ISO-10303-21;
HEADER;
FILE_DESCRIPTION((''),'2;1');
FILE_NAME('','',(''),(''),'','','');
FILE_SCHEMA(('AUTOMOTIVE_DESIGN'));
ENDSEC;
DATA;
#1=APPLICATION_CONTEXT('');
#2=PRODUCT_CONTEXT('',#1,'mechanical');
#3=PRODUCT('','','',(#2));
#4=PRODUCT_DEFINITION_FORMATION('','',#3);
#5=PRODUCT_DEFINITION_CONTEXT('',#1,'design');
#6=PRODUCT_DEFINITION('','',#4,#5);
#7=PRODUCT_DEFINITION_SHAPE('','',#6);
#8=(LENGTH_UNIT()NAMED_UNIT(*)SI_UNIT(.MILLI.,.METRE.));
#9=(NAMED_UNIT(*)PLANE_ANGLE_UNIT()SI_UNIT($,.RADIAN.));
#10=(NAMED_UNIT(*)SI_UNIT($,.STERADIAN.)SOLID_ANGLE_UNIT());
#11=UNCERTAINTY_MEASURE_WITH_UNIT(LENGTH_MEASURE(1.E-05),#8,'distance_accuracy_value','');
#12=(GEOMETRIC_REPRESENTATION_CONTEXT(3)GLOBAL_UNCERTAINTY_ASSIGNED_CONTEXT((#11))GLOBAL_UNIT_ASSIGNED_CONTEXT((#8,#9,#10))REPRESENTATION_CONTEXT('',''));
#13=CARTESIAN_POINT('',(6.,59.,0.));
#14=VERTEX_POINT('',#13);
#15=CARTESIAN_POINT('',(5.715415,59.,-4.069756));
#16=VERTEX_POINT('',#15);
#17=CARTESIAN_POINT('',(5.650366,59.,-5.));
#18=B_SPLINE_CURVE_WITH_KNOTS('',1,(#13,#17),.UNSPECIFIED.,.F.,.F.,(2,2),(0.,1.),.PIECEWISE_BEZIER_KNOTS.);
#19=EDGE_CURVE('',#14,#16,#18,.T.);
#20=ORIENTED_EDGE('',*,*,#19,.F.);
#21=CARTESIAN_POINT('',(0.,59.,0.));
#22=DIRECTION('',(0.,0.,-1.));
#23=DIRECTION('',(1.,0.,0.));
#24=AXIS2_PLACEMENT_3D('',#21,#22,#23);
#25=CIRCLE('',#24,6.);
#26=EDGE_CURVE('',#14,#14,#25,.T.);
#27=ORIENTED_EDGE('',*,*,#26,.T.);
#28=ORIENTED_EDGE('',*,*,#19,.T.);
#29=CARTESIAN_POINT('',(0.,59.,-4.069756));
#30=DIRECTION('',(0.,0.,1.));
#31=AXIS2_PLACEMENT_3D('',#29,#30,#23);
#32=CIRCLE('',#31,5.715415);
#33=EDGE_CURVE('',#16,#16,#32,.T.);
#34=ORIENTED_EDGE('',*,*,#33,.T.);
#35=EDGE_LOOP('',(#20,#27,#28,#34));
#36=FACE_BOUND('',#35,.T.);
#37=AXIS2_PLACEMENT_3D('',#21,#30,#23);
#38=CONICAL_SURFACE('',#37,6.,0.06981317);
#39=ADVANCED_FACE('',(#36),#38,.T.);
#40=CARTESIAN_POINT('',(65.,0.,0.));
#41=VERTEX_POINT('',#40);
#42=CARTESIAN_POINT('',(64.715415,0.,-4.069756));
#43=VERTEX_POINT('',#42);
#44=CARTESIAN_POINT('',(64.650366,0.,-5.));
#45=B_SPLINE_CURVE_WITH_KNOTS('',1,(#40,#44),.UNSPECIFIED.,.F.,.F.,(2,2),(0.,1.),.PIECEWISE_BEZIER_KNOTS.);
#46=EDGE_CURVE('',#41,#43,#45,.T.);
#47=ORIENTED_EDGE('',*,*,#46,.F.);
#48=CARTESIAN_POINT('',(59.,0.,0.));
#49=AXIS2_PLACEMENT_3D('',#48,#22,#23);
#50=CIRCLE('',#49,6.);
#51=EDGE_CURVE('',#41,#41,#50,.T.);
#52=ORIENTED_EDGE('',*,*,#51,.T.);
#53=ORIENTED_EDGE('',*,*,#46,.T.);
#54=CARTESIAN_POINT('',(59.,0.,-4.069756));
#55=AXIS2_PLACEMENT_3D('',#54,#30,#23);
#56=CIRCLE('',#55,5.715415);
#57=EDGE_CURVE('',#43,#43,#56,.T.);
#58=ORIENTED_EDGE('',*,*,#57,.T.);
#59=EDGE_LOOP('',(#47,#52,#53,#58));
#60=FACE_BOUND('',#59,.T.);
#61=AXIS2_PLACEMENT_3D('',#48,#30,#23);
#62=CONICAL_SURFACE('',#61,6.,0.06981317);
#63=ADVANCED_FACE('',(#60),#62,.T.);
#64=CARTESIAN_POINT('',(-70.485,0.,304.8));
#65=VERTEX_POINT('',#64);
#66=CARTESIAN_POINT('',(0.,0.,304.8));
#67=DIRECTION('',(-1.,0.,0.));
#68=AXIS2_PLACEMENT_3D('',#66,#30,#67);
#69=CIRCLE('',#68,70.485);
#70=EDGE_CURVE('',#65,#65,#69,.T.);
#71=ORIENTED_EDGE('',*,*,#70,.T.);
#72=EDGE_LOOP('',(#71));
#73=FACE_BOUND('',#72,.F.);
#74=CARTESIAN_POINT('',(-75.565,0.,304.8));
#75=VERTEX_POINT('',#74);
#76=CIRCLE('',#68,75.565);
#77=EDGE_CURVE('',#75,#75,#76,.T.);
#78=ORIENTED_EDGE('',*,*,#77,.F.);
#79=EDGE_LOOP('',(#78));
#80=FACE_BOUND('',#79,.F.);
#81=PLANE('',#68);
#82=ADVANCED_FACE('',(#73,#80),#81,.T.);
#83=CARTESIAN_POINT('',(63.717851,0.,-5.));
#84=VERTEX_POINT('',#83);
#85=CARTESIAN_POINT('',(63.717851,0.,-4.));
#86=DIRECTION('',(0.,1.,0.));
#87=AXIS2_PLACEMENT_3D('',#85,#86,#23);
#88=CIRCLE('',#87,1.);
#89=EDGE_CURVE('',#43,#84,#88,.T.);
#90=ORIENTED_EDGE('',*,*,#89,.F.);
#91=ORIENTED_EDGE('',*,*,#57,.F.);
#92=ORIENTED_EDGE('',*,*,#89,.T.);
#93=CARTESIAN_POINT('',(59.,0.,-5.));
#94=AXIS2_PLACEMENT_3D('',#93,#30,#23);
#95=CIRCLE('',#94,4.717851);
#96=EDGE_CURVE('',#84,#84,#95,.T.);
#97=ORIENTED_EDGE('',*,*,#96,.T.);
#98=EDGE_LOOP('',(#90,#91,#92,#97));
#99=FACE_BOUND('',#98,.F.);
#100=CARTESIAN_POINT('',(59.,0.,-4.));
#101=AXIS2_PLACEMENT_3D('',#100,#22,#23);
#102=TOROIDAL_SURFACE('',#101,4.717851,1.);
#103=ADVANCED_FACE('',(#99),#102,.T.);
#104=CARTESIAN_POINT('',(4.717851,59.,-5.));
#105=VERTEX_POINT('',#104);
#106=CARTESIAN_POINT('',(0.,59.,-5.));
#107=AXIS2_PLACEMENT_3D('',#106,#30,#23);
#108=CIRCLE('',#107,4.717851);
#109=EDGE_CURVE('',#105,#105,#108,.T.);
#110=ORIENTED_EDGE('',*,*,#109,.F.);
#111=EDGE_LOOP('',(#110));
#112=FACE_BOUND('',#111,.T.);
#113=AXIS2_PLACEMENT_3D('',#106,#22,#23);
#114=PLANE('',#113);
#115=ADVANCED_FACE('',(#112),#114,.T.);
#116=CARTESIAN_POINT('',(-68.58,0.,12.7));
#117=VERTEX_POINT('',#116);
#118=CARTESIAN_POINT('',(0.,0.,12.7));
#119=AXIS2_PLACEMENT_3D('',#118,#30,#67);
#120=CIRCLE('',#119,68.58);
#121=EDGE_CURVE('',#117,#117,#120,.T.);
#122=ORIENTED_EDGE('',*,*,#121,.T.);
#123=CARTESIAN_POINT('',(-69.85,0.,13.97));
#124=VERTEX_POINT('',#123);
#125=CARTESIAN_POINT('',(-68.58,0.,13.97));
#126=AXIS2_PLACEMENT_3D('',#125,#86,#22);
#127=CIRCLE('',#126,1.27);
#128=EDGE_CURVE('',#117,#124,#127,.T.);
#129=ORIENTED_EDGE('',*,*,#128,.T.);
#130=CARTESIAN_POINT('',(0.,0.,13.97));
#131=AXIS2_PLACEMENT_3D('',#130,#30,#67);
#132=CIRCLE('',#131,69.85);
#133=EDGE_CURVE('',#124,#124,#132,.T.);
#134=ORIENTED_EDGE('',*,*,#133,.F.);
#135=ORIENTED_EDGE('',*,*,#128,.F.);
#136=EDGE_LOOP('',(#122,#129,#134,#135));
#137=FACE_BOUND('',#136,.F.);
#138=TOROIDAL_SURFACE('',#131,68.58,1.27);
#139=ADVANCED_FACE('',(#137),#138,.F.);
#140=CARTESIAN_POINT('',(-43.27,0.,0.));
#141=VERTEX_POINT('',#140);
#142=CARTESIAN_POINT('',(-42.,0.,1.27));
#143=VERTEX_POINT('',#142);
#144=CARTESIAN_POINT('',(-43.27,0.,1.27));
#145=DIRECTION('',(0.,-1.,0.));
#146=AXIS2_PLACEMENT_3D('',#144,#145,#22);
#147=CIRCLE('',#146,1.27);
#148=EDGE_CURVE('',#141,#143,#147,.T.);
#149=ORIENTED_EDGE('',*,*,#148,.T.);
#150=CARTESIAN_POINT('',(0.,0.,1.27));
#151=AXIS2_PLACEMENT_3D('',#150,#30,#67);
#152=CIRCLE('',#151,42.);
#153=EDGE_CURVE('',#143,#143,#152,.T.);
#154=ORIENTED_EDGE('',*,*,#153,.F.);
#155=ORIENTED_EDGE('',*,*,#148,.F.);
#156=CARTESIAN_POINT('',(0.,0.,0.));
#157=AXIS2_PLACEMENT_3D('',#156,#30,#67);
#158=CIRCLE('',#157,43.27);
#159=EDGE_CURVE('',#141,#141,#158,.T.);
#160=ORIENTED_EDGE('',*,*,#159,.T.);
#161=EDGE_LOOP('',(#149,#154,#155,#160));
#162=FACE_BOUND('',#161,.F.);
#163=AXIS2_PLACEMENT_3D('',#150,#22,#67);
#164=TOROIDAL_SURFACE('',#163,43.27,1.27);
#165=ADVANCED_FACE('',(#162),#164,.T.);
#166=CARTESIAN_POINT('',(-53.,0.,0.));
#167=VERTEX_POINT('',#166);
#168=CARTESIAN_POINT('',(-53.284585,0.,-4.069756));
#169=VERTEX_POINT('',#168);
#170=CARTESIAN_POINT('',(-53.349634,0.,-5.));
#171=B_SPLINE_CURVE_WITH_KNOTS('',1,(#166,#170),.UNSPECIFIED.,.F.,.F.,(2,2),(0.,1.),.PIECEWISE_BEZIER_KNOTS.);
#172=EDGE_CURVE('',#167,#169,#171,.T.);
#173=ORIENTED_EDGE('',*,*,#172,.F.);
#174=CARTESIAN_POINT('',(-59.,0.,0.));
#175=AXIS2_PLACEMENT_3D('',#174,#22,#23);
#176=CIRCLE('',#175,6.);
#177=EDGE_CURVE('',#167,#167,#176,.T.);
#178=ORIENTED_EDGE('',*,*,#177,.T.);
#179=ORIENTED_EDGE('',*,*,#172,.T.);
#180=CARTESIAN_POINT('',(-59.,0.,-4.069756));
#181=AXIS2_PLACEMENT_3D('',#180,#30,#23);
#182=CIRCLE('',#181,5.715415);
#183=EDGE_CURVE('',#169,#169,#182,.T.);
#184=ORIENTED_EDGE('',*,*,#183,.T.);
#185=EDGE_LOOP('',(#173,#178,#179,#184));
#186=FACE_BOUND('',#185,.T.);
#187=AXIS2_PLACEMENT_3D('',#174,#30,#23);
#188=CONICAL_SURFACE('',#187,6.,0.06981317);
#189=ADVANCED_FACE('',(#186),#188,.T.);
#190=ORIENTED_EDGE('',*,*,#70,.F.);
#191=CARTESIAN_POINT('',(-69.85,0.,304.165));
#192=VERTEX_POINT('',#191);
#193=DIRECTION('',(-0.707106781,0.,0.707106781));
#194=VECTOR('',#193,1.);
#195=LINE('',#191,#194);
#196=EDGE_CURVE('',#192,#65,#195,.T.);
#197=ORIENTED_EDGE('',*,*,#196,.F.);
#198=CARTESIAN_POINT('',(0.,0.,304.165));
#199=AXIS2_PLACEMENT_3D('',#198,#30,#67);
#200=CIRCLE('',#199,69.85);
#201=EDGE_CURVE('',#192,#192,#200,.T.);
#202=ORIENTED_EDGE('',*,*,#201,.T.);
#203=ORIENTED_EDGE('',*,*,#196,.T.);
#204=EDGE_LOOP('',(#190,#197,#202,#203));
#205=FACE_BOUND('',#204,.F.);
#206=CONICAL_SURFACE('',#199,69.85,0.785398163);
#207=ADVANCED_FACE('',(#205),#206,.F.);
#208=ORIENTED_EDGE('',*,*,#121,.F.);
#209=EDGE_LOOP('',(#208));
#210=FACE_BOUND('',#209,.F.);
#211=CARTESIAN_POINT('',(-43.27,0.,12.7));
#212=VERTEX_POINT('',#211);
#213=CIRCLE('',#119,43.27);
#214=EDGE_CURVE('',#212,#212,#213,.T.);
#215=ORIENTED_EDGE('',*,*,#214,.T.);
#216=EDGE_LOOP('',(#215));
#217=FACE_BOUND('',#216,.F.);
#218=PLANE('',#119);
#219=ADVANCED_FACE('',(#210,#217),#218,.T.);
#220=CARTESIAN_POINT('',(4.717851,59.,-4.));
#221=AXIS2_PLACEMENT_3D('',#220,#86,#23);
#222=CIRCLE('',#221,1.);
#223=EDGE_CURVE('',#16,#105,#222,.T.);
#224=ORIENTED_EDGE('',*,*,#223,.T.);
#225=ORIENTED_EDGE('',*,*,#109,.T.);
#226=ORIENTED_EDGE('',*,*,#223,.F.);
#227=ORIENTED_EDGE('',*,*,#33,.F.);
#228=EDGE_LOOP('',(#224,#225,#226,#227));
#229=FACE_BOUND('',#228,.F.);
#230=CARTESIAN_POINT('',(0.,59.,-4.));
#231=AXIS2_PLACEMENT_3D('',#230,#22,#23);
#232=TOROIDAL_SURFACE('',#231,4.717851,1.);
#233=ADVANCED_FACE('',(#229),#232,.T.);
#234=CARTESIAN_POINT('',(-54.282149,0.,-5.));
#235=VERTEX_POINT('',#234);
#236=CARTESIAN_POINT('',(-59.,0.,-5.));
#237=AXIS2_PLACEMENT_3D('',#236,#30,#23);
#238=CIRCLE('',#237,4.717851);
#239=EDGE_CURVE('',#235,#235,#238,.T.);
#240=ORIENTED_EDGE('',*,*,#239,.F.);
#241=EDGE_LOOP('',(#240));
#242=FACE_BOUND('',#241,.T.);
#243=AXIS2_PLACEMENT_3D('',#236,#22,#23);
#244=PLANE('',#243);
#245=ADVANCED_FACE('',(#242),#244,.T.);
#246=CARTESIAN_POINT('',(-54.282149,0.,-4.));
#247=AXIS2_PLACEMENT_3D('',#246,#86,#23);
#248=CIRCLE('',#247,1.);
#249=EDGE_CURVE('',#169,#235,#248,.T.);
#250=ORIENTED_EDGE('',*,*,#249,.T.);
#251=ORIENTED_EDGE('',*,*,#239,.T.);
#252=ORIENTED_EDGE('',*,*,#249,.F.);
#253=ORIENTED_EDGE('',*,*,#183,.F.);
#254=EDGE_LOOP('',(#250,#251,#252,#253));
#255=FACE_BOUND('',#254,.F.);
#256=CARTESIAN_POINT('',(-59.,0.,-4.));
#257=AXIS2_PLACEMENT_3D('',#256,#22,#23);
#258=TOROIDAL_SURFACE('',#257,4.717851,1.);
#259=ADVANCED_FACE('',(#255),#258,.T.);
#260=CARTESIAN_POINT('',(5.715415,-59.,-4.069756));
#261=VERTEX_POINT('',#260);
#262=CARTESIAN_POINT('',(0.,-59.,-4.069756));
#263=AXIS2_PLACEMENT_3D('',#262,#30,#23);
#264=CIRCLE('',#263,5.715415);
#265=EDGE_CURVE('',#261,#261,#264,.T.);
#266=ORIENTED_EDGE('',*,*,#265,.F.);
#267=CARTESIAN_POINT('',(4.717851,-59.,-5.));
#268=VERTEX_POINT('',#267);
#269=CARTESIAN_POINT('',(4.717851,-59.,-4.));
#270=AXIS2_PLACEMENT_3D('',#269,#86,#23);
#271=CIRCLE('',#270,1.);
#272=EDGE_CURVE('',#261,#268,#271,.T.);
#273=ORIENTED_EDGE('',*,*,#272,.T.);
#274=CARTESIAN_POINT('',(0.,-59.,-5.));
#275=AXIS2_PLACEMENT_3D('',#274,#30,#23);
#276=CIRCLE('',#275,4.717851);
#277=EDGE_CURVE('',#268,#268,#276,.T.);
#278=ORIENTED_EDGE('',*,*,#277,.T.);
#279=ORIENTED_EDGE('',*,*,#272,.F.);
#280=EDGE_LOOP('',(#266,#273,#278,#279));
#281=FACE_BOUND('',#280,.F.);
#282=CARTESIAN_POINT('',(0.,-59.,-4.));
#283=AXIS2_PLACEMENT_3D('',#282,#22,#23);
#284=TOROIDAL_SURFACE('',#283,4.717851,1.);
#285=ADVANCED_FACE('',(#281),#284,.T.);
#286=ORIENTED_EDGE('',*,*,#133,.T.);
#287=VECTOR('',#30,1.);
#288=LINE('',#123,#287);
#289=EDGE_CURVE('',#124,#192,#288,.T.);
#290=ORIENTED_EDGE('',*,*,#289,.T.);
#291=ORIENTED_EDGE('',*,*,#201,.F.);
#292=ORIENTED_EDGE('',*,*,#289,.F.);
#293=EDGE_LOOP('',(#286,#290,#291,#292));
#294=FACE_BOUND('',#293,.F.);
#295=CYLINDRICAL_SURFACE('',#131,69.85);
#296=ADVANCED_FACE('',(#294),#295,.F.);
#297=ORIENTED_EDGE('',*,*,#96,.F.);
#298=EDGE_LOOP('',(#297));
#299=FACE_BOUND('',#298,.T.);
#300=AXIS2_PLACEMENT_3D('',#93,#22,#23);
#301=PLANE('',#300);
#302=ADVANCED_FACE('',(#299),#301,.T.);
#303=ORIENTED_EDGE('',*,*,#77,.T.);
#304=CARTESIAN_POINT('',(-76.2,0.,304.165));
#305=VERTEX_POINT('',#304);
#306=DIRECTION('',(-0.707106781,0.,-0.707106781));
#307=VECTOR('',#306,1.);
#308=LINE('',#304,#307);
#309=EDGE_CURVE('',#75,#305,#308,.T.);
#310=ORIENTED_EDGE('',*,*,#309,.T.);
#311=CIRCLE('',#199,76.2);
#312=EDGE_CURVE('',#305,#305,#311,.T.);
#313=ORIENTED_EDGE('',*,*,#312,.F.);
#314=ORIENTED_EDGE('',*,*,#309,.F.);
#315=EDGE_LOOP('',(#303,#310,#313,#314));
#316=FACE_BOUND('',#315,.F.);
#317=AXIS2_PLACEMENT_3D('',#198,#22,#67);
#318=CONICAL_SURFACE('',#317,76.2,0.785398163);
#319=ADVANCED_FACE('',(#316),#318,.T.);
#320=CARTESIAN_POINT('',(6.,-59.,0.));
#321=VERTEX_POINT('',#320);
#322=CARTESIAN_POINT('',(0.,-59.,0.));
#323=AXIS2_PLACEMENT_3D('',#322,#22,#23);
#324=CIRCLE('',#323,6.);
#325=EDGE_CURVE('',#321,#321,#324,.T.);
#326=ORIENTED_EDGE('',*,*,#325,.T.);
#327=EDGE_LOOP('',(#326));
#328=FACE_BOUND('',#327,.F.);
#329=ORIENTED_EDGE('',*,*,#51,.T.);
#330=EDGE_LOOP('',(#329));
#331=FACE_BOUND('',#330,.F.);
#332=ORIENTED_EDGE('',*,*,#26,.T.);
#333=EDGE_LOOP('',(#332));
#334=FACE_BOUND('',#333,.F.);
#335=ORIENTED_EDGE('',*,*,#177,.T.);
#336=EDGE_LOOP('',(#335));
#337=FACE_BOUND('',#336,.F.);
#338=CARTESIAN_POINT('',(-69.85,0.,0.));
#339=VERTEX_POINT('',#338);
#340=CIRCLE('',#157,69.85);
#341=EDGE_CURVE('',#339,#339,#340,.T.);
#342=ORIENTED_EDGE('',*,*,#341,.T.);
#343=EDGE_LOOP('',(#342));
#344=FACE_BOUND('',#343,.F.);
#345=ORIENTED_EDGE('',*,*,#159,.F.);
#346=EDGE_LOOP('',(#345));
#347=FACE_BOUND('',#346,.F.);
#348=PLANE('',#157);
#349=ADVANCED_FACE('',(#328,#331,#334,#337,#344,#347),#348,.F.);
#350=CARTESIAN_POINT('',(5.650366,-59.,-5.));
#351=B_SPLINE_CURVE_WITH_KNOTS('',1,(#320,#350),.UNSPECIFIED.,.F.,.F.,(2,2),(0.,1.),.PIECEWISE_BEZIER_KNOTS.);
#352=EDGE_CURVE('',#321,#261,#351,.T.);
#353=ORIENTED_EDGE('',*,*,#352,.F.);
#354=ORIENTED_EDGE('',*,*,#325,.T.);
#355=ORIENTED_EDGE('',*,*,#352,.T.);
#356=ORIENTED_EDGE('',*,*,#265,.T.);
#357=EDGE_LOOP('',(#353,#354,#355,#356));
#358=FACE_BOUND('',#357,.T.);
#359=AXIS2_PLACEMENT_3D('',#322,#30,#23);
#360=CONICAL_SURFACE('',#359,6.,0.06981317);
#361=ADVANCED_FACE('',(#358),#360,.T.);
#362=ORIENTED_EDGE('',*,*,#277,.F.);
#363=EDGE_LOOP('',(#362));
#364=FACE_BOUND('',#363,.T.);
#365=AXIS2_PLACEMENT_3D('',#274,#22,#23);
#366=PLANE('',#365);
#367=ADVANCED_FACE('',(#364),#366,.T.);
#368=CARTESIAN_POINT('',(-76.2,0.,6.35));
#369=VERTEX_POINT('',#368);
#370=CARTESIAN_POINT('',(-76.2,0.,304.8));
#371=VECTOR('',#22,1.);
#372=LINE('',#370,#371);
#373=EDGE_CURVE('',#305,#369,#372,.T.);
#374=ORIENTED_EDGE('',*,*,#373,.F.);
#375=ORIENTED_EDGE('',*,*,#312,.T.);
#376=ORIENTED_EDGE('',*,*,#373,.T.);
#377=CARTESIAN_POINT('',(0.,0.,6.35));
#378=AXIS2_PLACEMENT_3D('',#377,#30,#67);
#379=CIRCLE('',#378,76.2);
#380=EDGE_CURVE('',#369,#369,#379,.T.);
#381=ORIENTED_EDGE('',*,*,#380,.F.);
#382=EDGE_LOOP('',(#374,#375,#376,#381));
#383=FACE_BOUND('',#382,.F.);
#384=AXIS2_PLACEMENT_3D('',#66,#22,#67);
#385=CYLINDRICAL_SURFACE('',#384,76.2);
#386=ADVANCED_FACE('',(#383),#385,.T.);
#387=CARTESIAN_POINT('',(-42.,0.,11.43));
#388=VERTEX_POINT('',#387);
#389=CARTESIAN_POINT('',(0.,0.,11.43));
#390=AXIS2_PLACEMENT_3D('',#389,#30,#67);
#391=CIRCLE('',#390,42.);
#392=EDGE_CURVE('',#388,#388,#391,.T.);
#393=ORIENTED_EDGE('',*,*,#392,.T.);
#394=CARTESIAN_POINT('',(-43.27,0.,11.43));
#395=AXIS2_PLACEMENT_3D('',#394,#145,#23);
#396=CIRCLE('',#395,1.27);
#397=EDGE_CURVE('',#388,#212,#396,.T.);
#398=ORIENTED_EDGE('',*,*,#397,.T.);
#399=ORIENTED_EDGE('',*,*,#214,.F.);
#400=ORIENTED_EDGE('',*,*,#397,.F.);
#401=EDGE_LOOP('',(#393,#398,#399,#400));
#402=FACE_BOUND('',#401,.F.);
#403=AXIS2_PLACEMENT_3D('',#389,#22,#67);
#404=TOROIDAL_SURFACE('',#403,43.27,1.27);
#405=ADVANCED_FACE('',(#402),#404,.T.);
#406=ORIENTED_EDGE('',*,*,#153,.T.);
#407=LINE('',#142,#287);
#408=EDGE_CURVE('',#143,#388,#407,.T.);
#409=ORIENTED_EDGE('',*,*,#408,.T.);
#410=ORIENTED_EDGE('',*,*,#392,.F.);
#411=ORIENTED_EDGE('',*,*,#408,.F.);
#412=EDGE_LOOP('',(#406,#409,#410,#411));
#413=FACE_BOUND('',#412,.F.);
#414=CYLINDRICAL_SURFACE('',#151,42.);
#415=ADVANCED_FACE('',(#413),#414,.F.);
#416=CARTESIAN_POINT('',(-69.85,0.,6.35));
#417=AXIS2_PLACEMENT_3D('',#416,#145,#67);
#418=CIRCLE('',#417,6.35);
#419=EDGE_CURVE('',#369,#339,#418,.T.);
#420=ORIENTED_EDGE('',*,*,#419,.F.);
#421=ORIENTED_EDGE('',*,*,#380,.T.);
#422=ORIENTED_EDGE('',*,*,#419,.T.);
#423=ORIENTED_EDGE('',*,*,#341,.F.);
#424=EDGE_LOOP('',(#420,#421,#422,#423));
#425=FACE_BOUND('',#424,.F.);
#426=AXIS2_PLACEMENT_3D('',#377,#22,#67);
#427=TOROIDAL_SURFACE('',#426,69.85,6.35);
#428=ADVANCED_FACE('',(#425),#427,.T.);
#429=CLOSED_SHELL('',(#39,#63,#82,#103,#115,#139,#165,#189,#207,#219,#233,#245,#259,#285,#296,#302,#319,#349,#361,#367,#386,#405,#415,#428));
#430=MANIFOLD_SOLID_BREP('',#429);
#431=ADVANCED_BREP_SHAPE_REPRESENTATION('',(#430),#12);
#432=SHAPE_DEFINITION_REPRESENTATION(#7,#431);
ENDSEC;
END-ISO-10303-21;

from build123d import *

# Parameters (mm, degrees)
F3_SIZE  = 0.635
F4_R     = 6
F5_DEPTH = 5
F5_TAPER = 4
F6_R     = 1


with BuildPart() as f2:
    # F0 (on Front) → F2 (revolve)
    with BuildSketch(Plane.XZ):
        with BuildLine():
            Line((-69.85, 0), (-43.27, 0))
            ThreePointArc((-43.27, 0), (-42.3719743879, 0.3719743879), (-42, 1.27))
            Line((-42, 1.27), (-42, 11.43))
            ThreePointArc((-42, 11.43), (-42.3719743879, 12.3280256121), (-43.27, 12.7))
            Line((-43.27, 12.7), (-68.58, 12.7))
            ThreePointArc((-68.58, 12.7), (-69.4780256121, 13.0719743879), (-69.85, 13.97))
            Line((-69.85, 13.97), (-69.85, 304.8))
            Line((-69.85, 304.8), (-76.2, 304.8))
            Line((-76.2, 304.8), (-76.2, 6.35))
            ThreePointArc((-76.2, 6.35), (-74.3401280605, 1.8598719395), (-69.85, 0))
        make_face()
    revolve(axis=Axis((0, 0, 44.2740730941), (0, 0, 1)))

    # F3
    f3_edges = [f2.edges().sort_by_distance(p)[0] for p in [
        (69.85, 0, 304.8),
        (76.2, 0, 304.8),
    ]]
    chamfer(f3_edges, length=F3_SIZE)

    # F4 (on face) → F5 (join)
    with BuildSketch(Plane(origin=(0, 0, 0), x_dir=(1, 0, 0), z_dir=(0, 0, -1))):
        with Locations((0, 59)):
            Circle(F4_R)
        with Locations((-59, 0)):
            Circle(F4_R)
        with Locations((0, -59)):
            Circle(F4_R)
        with Locations((59, 0)):
            Circle(F4_R)
    extrude(amount=F5_DEPTH, taper=F5_TAPER)

    # F6
    f6_edges = [f2.edges().sort_by_distance(p)[0] for p in [
        (-5.650366, -59, -5),
        (-64.650366, 0, -5),
        (-5.650366, 59, -5),
        (53.349634, 0, -5),
    ]]
    fillet(f6_edges, radius=F6_R)


solid = f2.part
